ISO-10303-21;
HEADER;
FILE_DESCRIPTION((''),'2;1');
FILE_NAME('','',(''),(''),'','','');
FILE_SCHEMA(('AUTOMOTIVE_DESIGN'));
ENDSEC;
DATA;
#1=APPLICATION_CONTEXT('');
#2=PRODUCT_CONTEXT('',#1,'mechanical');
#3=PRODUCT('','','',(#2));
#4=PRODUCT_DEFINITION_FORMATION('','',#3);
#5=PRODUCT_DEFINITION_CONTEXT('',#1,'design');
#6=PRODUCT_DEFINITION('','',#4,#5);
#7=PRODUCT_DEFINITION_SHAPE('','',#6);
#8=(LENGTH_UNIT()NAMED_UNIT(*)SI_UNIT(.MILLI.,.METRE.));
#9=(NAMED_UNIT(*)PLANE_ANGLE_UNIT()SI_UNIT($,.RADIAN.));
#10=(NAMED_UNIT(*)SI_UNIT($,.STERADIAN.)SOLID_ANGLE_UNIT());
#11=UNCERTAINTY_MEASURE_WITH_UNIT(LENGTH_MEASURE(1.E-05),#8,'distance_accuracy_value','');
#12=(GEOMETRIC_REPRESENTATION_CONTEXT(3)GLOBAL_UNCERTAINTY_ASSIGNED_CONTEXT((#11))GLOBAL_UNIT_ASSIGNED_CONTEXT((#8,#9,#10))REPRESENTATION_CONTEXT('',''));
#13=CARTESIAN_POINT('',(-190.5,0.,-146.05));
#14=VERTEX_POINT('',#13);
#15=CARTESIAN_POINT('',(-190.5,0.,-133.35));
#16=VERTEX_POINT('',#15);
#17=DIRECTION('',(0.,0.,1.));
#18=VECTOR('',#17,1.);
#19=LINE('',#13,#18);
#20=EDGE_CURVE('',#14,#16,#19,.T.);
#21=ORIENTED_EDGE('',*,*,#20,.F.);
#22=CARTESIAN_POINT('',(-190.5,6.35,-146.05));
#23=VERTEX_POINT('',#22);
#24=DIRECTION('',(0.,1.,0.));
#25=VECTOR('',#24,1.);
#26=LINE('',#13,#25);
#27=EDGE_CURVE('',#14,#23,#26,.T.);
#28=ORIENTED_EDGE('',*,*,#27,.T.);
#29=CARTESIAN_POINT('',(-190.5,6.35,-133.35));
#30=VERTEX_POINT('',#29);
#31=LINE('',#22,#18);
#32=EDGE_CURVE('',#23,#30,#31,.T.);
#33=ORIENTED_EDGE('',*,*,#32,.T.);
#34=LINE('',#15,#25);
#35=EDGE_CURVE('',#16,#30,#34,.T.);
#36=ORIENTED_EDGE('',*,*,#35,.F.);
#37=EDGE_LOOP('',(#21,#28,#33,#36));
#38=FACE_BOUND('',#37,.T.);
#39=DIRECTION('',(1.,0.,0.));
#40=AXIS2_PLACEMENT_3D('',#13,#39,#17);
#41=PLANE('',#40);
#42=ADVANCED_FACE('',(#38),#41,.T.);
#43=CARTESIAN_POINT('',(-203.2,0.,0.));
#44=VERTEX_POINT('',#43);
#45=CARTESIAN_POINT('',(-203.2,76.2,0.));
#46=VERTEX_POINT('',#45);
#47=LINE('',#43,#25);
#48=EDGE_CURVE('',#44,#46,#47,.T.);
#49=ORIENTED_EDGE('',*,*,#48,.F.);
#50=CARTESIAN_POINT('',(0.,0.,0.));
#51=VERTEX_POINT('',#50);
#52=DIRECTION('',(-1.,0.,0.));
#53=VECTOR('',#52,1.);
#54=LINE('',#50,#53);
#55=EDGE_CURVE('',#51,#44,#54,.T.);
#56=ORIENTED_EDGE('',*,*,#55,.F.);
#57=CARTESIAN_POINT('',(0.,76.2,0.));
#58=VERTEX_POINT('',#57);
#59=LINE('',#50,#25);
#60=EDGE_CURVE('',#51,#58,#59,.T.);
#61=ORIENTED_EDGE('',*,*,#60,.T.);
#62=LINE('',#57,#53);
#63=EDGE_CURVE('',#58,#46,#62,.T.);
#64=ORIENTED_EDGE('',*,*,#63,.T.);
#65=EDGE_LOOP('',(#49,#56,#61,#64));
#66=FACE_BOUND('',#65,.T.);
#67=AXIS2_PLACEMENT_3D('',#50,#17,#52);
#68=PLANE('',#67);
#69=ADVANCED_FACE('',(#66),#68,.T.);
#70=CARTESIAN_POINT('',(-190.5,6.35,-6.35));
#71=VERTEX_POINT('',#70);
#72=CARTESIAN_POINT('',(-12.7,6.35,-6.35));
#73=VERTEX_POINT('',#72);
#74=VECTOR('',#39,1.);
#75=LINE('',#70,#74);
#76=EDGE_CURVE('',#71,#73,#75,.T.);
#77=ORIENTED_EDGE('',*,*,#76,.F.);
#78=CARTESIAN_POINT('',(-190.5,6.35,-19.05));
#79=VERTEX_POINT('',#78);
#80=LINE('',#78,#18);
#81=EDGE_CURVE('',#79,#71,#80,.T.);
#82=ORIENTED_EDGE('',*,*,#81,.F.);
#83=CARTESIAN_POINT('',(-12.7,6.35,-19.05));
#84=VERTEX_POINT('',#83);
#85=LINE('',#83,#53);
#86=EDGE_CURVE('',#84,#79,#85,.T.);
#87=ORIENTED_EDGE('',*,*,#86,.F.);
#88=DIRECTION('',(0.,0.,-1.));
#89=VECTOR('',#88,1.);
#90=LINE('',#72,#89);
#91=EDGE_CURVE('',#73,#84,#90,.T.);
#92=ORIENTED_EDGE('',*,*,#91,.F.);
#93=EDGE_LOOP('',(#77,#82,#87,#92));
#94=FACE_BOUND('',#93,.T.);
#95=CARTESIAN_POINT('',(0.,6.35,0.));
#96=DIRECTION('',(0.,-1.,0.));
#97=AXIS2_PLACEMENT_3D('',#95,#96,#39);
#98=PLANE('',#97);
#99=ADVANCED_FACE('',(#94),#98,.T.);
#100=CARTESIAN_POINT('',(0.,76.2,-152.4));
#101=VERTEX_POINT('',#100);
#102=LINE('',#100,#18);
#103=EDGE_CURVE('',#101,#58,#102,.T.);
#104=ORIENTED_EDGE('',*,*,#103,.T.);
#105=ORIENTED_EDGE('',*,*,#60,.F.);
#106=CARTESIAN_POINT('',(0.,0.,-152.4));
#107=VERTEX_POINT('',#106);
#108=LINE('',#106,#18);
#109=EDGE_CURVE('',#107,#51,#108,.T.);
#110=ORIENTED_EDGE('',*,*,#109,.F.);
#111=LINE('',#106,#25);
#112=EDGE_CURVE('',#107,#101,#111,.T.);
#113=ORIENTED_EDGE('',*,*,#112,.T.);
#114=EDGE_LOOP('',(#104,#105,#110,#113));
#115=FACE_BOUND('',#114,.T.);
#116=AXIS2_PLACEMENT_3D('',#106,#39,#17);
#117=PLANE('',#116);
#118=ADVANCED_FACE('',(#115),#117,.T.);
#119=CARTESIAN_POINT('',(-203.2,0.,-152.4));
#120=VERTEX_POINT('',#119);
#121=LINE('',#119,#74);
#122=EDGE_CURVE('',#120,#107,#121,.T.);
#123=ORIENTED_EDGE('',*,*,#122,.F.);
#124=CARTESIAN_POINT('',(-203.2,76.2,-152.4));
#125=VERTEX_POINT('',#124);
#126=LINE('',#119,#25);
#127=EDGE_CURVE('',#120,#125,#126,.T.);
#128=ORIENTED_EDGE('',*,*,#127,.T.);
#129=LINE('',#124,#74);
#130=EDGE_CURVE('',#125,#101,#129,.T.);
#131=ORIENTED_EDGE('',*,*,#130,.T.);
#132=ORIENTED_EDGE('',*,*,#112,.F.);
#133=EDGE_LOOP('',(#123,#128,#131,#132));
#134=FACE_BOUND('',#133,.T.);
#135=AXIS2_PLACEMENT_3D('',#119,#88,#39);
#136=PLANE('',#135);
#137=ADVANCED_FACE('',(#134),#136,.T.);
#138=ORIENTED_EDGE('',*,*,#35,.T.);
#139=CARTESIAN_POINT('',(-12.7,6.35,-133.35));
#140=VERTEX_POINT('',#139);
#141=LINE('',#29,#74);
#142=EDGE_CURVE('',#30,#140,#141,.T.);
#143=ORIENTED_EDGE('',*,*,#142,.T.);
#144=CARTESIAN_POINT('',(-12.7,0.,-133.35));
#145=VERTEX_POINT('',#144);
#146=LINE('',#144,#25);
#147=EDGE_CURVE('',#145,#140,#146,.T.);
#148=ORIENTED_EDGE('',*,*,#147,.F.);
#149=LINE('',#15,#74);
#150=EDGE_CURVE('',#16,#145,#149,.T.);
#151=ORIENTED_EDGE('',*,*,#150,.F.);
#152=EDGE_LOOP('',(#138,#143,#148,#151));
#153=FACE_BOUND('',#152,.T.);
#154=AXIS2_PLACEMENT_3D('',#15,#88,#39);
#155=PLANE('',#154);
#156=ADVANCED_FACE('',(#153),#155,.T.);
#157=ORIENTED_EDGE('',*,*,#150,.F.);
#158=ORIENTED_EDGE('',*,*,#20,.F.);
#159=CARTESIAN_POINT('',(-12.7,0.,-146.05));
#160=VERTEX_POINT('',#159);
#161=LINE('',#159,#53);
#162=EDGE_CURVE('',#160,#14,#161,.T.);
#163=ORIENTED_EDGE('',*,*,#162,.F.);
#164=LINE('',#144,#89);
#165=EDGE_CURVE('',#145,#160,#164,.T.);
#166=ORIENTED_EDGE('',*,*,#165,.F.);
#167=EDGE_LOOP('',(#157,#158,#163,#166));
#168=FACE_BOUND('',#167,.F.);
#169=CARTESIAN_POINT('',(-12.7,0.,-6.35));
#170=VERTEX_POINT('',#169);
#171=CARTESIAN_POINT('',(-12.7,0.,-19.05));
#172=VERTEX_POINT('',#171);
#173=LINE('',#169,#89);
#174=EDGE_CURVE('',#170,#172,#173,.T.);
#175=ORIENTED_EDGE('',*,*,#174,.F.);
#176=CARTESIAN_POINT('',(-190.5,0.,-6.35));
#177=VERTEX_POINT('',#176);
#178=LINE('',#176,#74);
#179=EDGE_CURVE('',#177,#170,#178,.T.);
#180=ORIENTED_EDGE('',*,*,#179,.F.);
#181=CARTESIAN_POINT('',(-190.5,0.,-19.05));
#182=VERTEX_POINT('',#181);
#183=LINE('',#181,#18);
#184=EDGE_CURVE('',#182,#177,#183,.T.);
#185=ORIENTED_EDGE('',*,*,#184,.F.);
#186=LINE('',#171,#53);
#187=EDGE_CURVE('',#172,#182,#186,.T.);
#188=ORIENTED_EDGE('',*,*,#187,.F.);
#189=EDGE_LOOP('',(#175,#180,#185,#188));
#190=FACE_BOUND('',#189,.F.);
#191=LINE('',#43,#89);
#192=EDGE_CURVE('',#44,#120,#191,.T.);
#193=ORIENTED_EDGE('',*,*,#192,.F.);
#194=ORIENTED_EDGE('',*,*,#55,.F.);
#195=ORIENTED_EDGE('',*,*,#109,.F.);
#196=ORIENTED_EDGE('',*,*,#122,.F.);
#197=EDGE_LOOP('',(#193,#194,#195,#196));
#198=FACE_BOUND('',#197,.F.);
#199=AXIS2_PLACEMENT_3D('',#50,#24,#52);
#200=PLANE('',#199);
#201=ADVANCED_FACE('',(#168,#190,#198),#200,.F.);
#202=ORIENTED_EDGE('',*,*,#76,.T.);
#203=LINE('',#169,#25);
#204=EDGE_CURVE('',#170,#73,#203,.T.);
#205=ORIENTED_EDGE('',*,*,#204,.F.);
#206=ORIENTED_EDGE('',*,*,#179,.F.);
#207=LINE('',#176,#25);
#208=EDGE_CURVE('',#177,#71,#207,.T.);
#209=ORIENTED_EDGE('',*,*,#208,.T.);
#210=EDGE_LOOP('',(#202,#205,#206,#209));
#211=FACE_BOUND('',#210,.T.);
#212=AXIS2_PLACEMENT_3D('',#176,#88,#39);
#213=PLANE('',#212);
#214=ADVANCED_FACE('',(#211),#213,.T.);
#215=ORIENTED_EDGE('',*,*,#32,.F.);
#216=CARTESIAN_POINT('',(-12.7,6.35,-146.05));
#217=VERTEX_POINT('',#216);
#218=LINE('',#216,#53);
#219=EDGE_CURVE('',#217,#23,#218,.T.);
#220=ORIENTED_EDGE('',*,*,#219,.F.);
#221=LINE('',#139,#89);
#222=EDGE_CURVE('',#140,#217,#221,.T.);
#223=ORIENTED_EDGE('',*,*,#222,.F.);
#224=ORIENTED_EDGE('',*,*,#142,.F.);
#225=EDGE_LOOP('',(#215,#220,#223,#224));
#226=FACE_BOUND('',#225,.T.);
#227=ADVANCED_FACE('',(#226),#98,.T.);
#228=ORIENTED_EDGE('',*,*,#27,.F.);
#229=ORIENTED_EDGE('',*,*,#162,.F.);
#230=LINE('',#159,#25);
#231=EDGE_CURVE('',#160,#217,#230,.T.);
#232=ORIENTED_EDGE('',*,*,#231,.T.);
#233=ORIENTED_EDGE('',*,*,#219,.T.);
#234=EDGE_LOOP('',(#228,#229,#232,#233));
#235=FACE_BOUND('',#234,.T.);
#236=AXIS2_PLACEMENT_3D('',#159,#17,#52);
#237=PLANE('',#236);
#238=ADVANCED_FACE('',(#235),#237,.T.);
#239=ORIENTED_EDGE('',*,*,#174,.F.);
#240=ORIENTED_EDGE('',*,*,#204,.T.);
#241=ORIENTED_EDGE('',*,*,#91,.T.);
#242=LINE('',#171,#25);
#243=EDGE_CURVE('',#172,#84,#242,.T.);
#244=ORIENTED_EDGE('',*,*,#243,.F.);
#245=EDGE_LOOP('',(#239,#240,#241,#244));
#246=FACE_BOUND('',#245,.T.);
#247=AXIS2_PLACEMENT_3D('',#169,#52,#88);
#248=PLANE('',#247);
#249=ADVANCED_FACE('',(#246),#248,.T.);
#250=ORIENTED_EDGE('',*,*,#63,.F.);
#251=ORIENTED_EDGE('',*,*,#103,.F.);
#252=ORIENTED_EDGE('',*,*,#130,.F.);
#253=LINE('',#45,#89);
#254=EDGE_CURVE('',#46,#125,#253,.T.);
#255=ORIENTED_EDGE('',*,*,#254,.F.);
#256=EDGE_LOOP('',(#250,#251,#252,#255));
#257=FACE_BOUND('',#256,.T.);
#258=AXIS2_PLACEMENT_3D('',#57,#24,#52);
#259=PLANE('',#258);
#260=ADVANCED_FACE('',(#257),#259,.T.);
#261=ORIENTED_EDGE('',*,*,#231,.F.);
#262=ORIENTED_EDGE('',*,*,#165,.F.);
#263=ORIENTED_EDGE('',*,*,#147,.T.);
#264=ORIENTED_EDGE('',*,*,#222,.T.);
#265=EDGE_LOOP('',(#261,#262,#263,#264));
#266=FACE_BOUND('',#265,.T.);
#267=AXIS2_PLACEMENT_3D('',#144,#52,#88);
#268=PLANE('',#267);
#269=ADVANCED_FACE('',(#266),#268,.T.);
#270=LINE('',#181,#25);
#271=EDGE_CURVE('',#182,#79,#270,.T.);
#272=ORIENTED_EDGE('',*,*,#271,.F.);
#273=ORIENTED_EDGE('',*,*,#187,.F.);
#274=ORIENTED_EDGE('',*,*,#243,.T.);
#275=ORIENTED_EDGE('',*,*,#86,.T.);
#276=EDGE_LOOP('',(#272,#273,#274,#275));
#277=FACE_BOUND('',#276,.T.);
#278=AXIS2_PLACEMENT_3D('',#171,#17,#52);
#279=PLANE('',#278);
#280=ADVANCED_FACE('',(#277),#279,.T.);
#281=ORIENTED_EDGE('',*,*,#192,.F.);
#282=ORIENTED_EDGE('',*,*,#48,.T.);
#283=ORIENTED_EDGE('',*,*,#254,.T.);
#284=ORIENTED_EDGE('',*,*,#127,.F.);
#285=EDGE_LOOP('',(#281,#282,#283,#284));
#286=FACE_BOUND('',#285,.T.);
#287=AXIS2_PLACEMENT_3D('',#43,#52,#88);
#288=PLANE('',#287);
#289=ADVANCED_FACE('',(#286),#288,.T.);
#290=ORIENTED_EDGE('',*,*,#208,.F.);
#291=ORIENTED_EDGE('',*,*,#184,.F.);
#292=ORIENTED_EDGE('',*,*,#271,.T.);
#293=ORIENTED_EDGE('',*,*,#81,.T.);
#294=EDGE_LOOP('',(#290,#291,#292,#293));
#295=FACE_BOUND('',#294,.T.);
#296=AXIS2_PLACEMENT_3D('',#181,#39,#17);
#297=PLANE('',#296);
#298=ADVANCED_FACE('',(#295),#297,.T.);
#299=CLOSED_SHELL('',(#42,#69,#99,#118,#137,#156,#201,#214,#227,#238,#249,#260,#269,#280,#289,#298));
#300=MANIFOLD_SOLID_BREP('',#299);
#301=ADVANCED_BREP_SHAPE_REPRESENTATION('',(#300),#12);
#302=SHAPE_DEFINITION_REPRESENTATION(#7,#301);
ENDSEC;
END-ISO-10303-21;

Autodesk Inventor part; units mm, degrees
ref_plane "YZ Plane" through (0, 0, 0) normal (1, 0, 0) x (0, 1, 0)
ref_plane "XZ Plane" through (0, 0, 0) normal (0, 1, 0) x (-1, 0, 0)
ref_plane "XY Plane" through (0, 0, 0) normal (0, 0, 1) x (1, 0, 0)
sketch "Sketch1" plane through (0, 0, 0) normal (0, 1, 0) x (-1, 0, 0)
  line L0 (0, 0) -> (203.2, 0)
  line L1 (203.2, 0) -> (203.2, -152.4)
  line L2 (203.2, -152.4) -> (0, -152.4)
  line L3 (0, -152.4) -> (0, 0)
  dimension "d0" = 203.2
  dimension "d1" = 152.4
extrude "Extrusion1" add sketch "Sketch1" along normal blind 76.2
sketch "Sketch2" plane through (0, 0, 0) normal (0, -1, 0) x (1, 0, 0)
  line L0 (-190.5, -6.35) -> (-12.7, -6.35)
  line L1 (-12.7, -6.35) -> (-12.7, -19.05)
  line L2 (-12.7, -19.05) -> (-190.5, -19.05)
  line L3 (-190.5, -19.05) -> (-190.5, -6.35)
  line L4 (-190.5, -133.35) -> (-12.7, -133.35)
  line L5 (-12.7, -133.35) -> (-12.7, -146.05)
  line L6 (-12.7, -146.05) -> (-190.5, -146.05)
  line L7 (-190.5, -146.05) -> (-190.5, -133.35)
  line L8 (0, -152.4) -> (0, 0) projected
  line L9 (-203.2, 0) -> (-203.2, -152.4) projected
  line L10 (-203.2, -152.4) -> (0, -152.4) projected
  line L11 (0, 0) -> (-203.2, 0) projected
  dimension "d4" = 12.7
  dimension "d5" = 12.7
  dimension "d6" = 12.7
  dimension "d7" = 12.7
  dimension "d8" = 6.35
  dimension "d9" = 6.35
  dimension "d10" = 12.7
  dimension "d11" = 12.7
extrude "Extrusion2" cut sketch "Sketch2" against normal blind 6.35 contours L0 L1 L2 L3 | L4 L5 L6 L7
properties part number "BS #1"
